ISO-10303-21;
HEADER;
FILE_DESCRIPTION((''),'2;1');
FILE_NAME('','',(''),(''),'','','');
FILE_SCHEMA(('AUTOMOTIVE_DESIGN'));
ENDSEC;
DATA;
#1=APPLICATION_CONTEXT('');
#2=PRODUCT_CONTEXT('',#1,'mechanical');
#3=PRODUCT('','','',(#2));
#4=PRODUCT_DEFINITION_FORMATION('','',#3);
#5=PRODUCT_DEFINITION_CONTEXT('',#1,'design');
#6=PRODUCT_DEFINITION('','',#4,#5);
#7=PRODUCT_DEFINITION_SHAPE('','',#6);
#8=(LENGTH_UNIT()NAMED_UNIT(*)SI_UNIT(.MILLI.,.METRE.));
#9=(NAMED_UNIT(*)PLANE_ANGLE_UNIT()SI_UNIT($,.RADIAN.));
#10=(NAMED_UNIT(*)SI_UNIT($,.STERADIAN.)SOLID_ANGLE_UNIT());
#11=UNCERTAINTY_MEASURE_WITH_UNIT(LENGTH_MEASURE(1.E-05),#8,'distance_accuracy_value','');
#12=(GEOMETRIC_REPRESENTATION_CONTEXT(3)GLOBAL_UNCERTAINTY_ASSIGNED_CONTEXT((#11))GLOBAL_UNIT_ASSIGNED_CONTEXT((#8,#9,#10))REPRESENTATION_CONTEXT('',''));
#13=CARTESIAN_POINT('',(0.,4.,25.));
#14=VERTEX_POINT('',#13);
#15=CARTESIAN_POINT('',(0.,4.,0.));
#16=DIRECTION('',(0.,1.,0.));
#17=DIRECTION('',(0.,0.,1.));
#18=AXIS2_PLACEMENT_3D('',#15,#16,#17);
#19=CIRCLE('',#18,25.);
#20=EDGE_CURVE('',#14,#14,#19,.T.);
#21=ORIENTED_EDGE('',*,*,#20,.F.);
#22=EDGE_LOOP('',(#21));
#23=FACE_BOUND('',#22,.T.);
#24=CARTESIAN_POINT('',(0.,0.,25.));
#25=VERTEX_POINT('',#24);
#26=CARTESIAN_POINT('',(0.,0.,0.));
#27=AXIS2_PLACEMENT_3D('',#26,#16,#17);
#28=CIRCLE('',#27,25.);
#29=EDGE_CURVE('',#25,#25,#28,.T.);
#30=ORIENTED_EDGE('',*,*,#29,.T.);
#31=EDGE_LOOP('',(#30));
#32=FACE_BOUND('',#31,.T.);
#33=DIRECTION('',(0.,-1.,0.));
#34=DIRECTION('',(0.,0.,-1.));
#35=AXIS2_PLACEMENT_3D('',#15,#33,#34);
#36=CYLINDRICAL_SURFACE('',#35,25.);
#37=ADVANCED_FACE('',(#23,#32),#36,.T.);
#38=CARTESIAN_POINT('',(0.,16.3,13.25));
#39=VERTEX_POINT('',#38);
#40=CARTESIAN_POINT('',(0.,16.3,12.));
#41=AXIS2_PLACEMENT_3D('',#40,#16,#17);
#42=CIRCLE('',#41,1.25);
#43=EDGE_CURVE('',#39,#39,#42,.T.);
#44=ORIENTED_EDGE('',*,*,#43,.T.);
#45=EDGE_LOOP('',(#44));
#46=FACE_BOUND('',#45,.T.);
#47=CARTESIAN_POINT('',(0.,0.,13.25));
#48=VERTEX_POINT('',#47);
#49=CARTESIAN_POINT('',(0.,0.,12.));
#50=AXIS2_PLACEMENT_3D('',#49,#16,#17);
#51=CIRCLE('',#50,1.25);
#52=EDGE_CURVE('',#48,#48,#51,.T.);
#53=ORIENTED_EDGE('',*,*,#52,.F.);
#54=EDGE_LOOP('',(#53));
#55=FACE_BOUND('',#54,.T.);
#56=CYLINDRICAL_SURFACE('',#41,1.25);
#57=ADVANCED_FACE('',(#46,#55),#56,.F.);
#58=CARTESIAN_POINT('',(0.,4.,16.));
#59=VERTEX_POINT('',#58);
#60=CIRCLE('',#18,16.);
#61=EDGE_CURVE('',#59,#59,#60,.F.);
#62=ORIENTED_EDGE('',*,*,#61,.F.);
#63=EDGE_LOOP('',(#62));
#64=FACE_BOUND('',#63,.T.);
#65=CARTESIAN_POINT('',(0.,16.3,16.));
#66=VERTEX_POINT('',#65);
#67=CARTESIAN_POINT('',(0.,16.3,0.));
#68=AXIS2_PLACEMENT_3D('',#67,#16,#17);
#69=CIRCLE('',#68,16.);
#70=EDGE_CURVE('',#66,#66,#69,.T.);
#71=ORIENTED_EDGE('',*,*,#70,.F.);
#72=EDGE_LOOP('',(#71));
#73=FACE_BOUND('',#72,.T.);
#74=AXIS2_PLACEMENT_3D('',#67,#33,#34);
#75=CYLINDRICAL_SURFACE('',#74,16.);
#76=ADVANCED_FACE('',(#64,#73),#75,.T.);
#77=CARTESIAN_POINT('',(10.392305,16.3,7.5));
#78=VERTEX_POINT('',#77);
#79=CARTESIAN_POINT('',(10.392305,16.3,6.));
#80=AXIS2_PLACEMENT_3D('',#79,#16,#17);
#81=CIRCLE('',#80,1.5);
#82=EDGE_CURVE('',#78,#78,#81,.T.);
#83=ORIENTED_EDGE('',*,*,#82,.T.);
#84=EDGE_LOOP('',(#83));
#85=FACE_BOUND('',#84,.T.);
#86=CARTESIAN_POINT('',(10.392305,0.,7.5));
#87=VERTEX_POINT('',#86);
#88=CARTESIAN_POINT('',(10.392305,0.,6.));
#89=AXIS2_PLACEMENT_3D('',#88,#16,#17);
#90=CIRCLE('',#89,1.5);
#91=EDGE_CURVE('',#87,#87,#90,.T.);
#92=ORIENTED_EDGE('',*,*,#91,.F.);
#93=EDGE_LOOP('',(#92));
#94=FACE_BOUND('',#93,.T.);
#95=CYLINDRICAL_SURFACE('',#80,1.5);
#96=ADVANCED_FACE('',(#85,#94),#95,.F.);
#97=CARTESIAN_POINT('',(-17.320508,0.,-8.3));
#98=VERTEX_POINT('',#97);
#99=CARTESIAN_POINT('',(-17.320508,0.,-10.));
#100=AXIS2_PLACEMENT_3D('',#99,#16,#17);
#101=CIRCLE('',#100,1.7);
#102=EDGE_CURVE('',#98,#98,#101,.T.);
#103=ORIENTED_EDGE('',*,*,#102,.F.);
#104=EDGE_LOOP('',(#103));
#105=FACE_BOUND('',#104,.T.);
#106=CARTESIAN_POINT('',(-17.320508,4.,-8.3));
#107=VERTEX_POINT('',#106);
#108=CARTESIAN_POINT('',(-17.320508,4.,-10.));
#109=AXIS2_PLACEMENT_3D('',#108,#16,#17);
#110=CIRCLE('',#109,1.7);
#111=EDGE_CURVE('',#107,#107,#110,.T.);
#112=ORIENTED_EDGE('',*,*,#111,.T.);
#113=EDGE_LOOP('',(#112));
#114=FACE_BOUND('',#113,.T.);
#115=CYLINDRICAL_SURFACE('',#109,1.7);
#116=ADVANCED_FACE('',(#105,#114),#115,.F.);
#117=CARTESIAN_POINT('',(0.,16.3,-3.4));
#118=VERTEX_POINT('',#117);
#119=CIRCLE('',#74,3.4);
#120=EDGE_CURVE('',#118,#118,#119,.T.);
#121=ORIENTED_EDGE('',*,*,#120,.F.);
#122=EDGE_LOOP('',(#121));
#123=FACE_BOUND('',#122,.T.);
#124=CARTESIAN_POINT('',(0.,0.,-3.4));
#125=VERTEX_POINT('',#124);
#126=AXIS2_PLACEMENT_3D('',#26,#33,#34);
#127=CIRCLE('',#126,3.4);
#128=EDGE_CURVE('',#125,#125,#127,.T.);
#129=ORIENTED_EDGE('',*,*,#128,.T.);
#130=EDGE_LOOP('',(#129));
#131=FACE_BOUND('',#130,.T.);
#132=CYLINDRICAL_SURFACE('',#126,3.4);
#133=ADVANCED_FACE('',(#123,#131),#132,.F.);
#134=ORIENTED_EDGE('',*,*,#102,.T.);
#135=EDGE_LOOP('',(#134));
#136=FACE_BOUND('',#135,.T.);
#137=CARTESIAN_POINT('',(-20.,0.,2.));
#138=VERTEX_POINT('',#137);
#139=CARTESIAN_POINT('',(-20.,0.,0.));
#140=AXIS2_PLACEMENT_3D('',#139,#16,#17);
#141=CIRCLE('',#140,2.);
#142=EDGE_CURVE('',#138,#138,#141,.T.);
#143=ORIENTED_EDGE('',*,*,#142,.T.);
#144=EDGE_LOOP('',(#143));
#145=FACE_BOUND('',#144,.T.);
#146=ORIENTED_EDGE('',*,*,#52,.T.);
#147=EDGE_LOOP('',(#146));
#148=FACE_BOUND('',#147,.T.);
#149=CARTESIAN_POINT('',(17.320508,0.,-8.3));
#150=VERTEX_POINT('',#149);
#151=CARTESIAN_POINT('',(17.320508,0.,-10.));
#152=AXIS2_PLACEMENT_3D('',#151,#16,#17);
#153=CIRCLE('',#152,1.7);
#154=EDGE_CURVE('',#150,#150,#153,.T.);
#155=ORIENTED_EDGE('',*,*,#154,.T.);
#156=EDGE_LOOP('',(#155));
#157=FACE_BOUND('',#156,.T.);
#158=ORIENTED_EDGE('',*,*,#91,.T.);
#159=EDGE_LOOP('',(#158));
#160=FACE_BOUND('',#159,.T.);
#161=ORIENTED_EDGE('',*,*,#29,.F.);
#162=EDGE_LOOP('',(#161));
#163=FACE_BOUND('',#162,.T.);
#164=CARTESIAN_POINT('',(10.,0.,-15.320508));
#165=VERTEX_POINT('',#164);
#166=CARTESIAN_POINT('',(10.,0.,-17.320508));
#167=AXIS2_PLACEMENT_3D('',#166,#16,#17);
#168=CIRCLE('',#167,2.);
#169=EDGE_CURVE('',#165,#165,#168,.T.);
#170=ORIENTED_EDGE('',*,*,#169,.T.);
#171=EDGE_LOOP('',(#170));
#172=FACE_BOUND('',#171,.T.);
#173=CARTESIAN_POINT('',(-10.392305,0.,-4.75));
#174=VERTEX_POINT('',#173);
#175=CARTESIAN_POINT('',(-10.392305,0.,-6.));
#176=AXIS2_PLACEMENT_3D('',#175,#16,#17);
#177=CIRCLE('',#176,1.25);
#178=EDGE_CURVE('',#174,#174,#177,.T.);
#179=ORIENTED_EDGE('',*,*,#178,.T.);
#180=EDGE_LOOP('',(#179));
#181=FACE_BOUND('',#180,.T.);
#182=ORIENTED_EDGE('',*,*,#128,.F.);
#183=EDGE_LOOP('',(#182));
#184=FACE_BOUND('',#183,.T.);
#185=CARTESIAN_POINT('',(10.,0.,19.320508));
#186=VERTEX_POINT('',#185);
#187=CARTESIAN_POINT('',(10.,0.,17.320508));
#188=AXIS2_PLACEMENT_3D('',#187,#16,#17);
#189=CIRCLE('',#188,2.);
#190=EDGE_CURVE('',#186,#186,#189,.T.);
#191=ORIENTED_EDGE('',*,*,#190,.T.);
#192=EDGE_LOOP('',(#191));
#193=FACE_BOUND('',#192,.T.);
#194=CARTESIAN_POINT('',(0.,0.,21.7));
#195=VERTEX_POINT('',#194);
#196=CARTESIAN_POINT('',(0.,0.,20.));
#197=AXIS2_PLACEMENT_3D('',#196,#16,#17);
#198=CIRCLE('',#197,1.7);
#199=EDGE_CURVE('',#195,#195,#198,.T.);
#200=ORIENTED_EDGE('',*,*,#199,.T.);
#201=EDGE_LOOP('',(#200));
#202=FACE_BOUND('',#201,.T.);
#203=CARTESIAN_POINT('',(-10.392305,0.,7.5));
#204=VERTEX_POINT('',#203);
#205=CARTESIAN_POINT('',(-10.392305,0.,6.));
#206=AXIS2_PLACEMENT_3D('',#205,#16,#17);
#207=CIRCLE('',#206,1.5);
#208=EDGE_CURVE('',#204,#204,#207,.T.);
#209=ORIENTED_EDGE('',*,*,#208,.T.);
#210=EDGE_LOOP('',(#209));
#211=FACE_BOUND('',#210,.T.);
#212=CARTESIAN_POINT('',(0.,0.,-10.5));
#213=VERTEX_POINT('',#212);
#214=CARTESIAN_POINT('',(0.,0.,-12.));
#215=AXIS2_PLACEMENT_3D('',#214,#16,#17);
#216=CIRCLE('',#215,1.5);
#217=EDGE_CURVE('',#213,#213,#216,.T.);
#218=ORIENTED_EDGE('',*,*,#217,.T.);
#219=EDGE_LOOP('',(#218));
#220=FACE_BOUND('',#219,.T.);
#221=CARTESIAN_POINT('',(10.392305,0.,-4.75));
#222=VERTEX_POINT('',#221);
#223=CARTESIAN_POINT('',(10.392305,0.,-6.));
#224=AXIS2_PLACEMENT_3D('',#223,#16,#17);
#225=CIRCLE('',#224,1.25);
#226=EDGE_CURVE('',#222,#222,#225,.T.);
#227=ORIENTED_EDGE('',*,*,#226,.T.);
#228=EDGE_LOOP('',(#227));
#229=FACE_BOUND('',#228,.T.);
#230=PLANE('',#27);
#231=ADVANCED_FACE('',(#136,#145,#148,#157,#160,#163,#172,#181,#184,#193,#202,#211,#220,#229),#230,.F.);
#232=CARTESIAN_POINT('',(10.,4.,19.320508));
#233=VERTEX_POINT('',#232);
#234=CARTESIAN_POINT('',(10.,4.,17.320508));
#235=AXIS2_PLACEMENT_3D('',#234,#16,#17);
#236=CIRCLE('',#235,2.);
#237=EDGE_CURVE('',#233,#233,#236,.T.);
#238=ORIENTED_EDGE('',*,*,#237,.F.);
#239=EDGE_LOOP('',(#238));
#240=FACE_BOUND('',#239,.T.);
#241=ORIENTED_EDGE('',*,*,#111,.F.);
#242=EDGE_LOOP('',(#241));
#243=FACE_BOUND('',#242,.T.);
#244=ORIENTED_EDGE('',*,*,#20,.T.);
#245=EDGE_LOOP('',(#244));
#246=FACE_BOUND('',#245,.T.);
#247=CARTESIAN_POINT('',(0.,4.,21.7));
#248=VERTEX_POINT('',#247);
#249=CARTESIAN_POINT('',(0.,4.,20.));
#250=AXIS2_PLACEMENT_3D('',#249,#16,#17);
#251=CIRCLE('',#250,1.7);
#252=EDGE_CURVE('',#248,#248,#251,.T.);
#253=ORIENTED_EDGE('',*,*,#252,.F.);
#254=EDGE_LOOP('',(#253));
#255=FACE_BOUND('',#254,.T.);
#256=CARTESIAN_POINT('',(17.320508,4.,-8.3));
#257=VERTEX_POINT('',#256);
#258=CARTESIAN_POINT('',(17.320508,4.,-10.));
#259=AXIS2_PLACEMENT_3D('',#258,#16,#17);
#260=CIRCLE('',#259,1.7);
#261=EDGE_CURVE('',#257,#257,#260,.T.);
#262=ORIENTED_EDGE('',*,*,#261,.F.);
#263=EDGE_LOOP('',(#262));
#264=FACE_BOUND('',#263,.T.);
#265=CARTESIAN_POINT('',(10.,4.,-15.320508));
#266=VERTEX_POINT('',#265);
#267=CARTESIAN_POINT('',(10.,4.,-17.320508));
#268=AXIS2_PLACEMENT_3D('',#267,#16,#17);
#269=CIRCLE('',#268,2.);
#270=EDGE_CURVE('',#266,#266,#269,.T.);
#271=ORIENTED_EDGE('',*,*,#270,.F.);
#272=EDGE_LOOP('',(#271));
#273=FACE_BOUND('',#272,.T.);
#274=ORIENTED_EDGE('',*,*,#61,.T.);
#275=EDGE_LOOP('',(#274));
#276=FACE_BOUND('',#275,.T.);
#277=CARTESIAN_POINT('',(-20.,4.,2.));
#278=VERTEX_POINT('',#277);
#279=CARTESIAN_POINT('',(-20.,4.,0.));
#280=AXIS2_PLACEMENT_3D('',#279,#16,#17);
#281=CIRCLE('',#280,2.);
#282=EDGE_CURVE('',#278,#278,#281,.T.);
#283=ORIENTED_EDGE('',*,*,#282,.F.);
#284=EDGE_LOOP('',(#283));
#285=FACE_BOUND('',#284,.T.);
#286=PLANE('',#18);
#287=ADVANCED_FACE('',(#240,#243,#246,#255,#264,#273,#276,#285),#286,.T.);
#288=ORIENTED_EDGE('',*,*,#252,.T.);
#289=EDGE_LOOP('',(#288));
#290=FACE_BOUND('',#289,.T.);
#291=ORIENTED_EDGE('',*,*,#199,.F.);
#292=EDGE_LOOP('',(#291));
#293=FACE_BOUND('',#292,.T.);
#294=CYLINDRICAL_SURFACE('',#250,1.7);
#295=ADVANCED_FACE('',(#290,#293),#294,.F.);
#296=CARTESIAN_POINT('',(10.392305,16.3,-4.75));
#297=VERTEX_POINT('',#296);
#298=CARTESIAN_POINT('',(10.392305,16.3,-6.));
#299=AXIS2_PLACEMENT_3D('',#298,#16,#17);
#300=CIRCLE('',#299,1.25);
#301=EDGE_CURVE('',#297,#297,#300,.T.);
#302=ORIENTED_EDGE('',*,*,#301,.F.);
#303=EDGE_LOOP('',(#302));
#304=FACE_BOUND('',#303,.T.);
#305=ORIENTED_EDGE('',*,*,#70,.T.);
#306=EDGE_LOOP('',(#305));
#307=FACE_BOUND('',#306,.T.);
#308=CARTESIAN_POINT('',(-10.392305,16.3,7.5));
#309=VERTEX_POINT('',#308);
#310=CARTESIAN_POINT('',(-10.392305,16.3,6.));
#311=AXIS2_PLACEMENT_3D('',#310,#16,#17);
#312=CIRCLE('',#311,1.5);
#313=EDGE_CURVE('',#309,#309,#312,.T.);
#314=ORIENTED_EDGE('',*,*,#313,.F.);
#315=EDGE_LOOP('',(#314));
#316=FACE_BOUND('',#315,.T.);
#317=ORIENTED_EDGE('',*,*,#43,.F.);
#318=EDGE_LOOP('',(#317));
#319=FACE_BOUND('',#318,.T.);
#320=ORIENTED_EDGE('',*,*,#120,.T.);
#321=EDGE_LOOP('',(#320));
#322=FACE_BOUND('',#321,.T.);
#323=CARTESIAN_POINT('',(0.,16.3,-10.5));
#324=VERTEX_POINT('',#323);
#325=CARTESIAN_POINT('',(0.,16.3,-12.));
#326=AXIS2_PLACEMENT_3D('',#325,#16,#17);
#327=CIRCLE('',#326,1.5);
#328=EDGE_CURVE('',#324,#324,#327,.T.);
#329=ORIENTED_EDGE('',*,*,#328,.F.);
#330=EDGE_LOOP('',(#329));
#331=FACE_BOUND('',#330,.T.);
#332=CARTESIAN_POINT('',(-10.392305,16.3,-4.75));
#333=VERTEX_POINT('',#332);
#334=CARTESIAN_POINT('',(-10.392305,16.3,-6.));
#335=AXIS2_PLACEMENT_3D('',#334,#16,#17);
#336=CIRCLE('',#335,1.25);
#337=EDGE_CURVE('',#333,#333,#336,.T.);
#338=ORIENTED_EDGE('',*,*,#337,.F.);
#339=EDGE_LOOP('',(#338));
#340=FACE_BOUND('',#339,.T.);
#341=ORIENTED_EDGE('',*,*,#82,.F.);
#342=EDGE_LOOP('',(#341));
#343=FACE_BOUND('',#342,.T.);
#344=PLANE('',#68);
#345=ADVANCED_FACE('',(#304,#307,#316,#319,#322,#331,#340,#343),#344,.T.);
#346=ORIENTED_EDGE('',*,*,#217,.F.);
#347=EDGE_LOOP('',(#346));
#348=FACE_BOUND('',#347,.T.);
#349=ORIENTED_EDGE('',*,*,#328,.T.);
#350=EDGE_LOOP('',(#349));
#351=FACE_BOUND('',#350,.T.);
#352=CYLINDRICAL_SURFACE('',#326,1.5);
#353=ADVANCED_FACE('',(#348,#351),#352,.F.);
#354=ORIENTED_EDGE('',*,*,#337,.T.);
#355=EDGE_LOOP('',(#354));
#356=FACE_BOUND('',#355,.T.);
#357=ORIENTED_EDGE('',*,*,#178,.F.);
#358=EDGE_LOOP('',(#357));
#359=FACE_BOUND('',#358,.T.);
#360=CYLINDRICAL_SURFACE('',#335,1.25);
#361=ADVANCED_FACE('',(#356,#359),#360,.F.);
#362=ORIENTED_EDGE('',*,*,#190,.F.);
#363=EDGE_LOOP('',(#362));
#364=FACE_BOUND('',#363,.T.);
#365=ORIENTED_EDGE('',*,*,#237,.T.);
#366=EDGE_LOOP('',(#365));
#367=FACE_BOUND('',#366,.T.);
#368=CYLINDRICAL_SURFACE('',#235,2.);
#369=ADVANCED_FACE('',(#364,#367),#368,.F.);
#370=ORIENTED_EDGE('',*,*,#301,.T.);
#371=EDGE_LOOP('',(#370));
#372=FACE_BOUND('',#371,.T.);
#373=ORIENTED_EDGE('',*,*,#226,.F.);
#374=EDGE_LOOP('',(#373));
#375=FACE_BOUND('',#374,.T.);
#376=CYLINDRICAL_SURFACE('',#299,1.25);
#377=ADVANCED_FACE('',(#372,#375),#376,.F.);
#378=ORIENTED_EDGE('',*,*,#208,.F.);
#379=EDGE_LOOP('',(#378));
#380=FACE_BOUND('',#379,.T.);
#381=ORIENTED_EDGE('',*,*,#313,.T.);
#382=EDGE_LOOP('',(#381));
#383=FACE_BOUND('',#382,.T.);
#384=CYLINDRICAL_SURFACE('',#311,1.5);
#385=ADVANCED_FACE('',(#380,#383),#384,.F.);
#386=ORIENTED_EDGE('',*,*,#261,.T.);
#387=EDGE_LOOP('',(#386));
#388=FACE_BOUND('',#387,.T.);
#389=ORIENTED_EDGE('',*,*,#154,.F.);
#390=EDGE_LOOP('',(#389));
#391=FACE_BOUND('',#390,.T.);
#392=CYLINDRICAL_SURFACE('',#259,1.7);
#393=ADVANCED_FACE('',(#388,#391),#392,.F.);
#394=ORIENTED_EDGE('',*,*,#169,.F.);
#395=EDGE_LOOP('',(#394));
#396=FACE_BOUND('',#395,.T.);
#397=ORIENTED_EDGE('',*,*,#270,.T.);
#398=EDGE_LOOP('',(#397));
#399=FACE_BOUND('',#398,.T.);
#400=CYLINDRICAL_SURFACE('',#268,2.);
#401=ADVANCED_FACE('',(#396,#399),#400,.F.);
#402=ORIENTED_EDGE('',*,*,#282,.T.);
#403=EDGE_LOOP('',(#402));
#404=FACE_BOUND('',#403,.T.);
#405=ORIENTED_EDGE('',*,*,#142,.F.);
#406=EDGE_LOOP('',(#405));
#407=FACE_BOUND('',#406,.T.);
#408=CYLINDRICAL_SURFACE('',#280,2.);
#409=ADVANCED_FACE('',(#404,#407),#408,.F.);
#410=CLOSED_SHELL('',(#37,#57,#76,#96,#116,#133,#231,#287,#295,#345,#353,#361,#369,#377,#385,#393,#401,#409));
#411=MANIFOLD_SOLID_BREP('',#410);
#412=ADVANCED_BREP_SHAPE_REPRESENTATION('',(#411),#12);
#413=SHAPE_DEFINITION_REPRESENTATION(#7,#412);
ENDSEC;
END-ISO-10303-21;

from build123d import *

# Parameters (mm, degrees)
SKETCH1_R               = 25
BOSS_EXTRUDE1_DEPTH     = 4
F_4_0MM_DOWEL_HOLE1_D   = 4
M3_CLEARANCE_HOLE1_D    = 3.4
BOSS_EXTRUDE2_START     = -4
SKETCH9_R               = 16
BOSS_EXTRUDE2_DEPTH     = 16.3
TAP_DRILL_FOR_TAP1_D    = 6.8
F_3_0MM_DOWEL_HOLE1_D   = 3
TAP_DRILL_FOR_M3_TAP1_D = 2.5


with BuildPart() as part:
    # Sketch1 → Boss-Extrude1 (new body)
    with BuildSketch(Plane(origin=(0, 0, 0), x_dir=(1, 0, 0), z_dir=(0, 1, 0))):
        with Locations(Location((0, 0, 0), (0, 0, 270))):
            Circle(SKETCH1_R)
    extrude(amount=BOSS_EXTRUDE1_DEPTH)

    # Ø4.0mm Dowel Hole1 (through all)
    with Locations(Plane(origin=(0, 4, 0), x_dir=(1, 0, 0), z_dir=(0, 1, 0))):
        with Locations((10, -17.320508076), (-20, 0), (10, 17.320508076)):
            Hole(F_4_0MM_DOWEL_HOLE1_D / 2)

    # M3 Clearance Hole1 (through all)
    with Locations(Plane(origin=(0, 4, 0), x_dir=(1, 0, 0), z_dir=(0, 1, 0))):
        with Locations((17.320508076, 10), (0, -20), (-17.320508076, 10)):
            Hole(M3_CLEARANCE_HOLE1_D / 2)

    # Sketch9 → Boss-Extrude2 (add)
    with BuildSketch(Plane(origin=(0, 4, 0), x_dir=(1, 0, 0), z_dir=(0, 1, 0)).offset(BOSS_EXTRUDE2_START)):
        with Locations(Location((0, 0, 0), (0, 0, 270))):
            Circle(SKETCH9_R)
    extrude(amount=BOSS_EXTRUDE2_DEPTH)

    # Tap Drill for  Tap1 (through all)
    with Locations(Plane.XZ):
        with Locations((0, 0)):
            Hole(TAP_DRILL_FOR_TAP1_D / 2)

    # Ø3.0mm Dowel Hole1 (through all)
    with Locations(Plane(origin=(0, 16.3, 0), x_dir=(1, 0, 0), z_dir=(0, 1, 0))):
        with Locations((-10.392304845, -6), (0, 12), (10.392304845, -6)):
            Hole(F_3_0MM_DOWEL_HOLE1_D / 2)

    # Tap Drill for M3 Tap1 (through all)
    with Locations(Plane(origin=(0, 16.3, 0), x_dir=(1, 0, 0), z_dir=(0, 1, 0))):
        with Locations((10.392304845, 6), (0, -12), (-10.392304845, 6)):
            Hole(TAP_DRILL_FOR_M3_TAP1_D / 2)


solid = part.part
